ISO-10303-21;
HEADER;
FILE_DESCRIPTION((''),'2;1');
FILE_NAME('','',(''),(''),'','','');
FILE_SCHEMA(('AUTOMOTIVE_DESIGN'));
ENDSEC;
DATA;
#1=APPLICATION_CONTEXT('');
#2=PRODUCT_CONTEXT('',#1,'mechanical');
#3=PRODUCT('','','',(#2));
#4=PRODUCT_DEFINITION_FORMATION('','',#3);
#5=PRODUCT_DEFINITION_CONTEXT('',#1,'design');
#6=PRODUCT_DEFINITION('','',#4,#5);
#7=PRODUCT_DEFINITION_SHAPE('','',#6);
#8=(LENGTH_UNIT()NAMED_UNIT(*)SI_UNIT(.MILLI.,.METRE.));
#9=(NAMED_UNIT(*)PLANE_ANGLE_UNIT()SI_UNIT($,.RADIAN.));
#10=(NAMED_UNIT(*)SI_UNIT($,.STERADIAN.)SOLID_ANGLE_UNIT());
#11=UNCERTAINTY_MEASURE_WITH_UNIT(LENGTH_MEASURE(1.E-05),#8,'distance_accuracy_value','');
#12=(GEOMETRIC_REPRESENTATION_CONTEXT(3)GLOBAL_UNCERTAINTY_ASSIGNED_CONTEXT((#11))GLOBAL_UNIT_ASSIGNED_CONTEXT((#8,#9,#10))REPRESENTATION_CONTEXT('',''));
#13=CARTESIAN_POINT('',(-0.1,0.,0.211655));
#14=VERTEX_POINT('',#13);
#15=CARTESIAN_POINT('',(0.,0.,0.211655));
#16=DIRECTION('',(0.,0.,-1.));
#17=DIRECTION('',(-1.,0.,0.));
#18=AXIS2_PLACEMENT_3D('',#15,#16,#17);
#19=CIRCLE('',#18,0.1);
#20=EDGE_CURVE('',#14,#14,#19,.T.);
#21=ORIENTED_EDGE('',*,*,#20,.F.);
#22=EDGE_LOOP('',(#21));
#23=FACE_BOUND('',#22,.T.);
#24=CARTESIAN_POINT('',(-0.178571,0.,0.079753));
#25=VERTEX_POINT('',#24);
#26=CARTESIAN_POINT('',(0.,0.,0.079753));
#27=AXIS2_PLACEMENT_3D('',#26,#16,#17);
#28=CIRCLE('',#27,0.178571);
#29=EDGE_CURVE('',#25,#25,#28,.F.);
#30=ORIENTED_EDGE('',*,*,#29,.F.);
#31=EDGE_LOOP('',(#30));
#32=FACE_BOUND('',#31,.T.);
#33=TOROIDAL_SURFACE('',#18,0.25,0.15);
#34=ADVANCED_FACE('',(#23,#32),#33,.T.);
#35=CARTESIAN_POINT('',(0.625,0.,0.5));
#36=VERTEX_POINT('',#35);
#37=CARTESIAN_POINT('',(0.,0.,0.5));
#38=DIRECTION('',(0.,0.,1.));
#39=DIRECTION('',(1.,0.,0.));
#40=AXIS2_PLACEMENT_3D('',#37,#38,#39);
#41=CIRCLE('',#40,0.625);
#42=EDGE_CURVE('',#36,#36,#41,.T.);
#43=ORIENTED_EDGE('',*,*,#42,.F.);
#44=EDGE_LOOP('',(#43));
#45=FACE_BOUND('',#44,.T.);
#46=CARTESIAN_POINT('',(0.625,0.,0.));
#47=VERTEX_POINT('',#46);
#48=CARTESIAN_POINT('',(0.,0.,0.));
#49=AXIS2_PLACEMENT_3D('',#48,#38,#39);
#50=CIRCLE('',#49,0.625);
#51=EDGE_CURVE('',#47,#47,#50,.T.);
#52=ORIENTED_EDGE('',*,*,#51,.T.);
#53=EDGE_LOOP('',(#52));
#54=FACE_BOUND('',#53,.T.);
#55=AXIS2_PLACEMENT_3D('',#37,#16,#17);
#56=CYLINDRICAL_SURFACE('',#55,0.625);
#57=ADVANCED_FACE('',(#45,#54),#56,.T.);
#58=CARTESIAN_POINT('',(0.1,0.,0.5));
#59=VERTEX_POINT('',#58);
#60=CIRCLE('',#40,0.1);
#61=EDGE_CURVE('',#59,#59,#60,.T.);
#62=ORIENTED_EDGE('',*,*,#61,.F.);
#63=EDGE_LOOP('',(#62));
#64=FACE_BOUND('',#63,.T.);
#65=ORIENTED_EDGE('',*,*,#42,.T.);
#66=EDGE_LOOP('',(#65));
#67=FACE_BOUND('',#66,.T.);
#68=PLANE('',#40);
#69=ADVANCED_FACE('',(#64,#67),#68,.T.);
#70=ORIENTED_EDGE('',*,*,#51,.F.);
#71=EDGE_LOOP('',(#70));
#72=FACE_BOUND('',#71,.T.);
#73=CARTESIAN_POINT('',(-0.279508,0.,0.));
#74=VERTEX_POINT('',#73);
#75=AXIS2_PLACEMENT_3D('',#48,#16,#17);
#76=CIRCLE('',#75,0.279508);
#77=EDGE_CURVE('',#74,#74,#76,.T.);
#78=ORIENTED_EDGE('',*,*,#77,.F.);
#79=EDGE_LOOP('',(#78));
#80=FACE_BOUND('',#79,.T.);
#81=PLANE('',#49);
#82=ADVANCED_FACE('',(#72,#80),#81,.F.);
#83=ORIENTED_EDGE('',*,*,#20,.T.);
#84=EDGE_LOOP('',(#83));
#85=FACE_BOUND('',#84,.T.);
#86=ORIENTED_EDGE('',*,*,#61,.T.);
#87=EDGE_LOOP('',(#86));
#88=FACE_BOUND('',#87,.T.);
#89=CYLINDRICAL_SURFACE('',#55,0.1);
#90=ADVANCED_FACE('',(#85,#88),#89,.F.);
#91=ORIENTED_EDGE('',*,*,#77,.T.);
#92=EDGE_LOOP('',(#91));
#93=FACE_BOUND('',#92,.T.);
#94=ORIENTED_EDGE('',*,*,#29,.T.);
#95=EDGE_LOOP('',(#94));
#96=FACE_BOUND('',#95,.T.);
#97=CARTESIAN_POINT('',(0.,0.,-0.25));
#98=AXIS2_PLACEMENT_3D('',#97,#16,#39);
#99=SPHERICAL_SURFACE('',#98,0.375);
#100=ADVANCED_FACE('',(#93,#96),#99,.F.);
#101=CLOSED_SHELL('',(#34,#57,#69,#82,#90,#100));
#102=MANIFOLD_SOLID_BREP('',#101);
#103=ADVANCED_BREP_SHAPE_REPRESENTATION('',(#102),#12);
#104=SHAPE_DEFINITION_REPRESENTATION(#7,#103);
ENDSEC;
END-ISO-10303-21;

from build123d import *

# Parameters (mm, degrees)
CROQUIS1_R              = 0.625
CROQUIS1_R_2            = 0.1
SALIENTE_EXTRUIR1_DEPTH = 0.5
REDONDEO1_R             = 0.15


with BuildPart() as part:
    # Croquis1 → Saliente-Extruir1 (new body)
    with BuildSketch(Plane.XY):
        Circle(CROQUIS1_R)
        Circle(CROQUIS1_R_2, mode=Mode.SUBTRACT)
    extrude(amount=SALIENTE_EXTRUIR1_DEPTH)

    # Croquis2 → Cortar-Revolución3 (revolve, cut)
    with BuildSketch(Plane(origin=(0, 0, 0), x_dir=(1, 0, 0), z_dir=(0, 1, 0))):
        with BuildLine():
            Line((0, 0), (0, -0.125))
            ThreePointArc((0, -0.125), (0.153093109, -0.092326598), (0.279508497, 0))
            Line((0.279508497, 0), (0, 0))
        make_face()
    revolve(axis=Axis((0, 0, 0), (0, 0, 1)), mode=Mode.SUBTRACT)

    # Redondeo1
    redondeo1_edges = [part.edges().sort_by_distance(p)[0] for p in [
        (-0.1, 0, 0.111420807),
    ]]
    fillet(redondeo1_edges, radius=REDONDEO1_R)


solid = part.part
